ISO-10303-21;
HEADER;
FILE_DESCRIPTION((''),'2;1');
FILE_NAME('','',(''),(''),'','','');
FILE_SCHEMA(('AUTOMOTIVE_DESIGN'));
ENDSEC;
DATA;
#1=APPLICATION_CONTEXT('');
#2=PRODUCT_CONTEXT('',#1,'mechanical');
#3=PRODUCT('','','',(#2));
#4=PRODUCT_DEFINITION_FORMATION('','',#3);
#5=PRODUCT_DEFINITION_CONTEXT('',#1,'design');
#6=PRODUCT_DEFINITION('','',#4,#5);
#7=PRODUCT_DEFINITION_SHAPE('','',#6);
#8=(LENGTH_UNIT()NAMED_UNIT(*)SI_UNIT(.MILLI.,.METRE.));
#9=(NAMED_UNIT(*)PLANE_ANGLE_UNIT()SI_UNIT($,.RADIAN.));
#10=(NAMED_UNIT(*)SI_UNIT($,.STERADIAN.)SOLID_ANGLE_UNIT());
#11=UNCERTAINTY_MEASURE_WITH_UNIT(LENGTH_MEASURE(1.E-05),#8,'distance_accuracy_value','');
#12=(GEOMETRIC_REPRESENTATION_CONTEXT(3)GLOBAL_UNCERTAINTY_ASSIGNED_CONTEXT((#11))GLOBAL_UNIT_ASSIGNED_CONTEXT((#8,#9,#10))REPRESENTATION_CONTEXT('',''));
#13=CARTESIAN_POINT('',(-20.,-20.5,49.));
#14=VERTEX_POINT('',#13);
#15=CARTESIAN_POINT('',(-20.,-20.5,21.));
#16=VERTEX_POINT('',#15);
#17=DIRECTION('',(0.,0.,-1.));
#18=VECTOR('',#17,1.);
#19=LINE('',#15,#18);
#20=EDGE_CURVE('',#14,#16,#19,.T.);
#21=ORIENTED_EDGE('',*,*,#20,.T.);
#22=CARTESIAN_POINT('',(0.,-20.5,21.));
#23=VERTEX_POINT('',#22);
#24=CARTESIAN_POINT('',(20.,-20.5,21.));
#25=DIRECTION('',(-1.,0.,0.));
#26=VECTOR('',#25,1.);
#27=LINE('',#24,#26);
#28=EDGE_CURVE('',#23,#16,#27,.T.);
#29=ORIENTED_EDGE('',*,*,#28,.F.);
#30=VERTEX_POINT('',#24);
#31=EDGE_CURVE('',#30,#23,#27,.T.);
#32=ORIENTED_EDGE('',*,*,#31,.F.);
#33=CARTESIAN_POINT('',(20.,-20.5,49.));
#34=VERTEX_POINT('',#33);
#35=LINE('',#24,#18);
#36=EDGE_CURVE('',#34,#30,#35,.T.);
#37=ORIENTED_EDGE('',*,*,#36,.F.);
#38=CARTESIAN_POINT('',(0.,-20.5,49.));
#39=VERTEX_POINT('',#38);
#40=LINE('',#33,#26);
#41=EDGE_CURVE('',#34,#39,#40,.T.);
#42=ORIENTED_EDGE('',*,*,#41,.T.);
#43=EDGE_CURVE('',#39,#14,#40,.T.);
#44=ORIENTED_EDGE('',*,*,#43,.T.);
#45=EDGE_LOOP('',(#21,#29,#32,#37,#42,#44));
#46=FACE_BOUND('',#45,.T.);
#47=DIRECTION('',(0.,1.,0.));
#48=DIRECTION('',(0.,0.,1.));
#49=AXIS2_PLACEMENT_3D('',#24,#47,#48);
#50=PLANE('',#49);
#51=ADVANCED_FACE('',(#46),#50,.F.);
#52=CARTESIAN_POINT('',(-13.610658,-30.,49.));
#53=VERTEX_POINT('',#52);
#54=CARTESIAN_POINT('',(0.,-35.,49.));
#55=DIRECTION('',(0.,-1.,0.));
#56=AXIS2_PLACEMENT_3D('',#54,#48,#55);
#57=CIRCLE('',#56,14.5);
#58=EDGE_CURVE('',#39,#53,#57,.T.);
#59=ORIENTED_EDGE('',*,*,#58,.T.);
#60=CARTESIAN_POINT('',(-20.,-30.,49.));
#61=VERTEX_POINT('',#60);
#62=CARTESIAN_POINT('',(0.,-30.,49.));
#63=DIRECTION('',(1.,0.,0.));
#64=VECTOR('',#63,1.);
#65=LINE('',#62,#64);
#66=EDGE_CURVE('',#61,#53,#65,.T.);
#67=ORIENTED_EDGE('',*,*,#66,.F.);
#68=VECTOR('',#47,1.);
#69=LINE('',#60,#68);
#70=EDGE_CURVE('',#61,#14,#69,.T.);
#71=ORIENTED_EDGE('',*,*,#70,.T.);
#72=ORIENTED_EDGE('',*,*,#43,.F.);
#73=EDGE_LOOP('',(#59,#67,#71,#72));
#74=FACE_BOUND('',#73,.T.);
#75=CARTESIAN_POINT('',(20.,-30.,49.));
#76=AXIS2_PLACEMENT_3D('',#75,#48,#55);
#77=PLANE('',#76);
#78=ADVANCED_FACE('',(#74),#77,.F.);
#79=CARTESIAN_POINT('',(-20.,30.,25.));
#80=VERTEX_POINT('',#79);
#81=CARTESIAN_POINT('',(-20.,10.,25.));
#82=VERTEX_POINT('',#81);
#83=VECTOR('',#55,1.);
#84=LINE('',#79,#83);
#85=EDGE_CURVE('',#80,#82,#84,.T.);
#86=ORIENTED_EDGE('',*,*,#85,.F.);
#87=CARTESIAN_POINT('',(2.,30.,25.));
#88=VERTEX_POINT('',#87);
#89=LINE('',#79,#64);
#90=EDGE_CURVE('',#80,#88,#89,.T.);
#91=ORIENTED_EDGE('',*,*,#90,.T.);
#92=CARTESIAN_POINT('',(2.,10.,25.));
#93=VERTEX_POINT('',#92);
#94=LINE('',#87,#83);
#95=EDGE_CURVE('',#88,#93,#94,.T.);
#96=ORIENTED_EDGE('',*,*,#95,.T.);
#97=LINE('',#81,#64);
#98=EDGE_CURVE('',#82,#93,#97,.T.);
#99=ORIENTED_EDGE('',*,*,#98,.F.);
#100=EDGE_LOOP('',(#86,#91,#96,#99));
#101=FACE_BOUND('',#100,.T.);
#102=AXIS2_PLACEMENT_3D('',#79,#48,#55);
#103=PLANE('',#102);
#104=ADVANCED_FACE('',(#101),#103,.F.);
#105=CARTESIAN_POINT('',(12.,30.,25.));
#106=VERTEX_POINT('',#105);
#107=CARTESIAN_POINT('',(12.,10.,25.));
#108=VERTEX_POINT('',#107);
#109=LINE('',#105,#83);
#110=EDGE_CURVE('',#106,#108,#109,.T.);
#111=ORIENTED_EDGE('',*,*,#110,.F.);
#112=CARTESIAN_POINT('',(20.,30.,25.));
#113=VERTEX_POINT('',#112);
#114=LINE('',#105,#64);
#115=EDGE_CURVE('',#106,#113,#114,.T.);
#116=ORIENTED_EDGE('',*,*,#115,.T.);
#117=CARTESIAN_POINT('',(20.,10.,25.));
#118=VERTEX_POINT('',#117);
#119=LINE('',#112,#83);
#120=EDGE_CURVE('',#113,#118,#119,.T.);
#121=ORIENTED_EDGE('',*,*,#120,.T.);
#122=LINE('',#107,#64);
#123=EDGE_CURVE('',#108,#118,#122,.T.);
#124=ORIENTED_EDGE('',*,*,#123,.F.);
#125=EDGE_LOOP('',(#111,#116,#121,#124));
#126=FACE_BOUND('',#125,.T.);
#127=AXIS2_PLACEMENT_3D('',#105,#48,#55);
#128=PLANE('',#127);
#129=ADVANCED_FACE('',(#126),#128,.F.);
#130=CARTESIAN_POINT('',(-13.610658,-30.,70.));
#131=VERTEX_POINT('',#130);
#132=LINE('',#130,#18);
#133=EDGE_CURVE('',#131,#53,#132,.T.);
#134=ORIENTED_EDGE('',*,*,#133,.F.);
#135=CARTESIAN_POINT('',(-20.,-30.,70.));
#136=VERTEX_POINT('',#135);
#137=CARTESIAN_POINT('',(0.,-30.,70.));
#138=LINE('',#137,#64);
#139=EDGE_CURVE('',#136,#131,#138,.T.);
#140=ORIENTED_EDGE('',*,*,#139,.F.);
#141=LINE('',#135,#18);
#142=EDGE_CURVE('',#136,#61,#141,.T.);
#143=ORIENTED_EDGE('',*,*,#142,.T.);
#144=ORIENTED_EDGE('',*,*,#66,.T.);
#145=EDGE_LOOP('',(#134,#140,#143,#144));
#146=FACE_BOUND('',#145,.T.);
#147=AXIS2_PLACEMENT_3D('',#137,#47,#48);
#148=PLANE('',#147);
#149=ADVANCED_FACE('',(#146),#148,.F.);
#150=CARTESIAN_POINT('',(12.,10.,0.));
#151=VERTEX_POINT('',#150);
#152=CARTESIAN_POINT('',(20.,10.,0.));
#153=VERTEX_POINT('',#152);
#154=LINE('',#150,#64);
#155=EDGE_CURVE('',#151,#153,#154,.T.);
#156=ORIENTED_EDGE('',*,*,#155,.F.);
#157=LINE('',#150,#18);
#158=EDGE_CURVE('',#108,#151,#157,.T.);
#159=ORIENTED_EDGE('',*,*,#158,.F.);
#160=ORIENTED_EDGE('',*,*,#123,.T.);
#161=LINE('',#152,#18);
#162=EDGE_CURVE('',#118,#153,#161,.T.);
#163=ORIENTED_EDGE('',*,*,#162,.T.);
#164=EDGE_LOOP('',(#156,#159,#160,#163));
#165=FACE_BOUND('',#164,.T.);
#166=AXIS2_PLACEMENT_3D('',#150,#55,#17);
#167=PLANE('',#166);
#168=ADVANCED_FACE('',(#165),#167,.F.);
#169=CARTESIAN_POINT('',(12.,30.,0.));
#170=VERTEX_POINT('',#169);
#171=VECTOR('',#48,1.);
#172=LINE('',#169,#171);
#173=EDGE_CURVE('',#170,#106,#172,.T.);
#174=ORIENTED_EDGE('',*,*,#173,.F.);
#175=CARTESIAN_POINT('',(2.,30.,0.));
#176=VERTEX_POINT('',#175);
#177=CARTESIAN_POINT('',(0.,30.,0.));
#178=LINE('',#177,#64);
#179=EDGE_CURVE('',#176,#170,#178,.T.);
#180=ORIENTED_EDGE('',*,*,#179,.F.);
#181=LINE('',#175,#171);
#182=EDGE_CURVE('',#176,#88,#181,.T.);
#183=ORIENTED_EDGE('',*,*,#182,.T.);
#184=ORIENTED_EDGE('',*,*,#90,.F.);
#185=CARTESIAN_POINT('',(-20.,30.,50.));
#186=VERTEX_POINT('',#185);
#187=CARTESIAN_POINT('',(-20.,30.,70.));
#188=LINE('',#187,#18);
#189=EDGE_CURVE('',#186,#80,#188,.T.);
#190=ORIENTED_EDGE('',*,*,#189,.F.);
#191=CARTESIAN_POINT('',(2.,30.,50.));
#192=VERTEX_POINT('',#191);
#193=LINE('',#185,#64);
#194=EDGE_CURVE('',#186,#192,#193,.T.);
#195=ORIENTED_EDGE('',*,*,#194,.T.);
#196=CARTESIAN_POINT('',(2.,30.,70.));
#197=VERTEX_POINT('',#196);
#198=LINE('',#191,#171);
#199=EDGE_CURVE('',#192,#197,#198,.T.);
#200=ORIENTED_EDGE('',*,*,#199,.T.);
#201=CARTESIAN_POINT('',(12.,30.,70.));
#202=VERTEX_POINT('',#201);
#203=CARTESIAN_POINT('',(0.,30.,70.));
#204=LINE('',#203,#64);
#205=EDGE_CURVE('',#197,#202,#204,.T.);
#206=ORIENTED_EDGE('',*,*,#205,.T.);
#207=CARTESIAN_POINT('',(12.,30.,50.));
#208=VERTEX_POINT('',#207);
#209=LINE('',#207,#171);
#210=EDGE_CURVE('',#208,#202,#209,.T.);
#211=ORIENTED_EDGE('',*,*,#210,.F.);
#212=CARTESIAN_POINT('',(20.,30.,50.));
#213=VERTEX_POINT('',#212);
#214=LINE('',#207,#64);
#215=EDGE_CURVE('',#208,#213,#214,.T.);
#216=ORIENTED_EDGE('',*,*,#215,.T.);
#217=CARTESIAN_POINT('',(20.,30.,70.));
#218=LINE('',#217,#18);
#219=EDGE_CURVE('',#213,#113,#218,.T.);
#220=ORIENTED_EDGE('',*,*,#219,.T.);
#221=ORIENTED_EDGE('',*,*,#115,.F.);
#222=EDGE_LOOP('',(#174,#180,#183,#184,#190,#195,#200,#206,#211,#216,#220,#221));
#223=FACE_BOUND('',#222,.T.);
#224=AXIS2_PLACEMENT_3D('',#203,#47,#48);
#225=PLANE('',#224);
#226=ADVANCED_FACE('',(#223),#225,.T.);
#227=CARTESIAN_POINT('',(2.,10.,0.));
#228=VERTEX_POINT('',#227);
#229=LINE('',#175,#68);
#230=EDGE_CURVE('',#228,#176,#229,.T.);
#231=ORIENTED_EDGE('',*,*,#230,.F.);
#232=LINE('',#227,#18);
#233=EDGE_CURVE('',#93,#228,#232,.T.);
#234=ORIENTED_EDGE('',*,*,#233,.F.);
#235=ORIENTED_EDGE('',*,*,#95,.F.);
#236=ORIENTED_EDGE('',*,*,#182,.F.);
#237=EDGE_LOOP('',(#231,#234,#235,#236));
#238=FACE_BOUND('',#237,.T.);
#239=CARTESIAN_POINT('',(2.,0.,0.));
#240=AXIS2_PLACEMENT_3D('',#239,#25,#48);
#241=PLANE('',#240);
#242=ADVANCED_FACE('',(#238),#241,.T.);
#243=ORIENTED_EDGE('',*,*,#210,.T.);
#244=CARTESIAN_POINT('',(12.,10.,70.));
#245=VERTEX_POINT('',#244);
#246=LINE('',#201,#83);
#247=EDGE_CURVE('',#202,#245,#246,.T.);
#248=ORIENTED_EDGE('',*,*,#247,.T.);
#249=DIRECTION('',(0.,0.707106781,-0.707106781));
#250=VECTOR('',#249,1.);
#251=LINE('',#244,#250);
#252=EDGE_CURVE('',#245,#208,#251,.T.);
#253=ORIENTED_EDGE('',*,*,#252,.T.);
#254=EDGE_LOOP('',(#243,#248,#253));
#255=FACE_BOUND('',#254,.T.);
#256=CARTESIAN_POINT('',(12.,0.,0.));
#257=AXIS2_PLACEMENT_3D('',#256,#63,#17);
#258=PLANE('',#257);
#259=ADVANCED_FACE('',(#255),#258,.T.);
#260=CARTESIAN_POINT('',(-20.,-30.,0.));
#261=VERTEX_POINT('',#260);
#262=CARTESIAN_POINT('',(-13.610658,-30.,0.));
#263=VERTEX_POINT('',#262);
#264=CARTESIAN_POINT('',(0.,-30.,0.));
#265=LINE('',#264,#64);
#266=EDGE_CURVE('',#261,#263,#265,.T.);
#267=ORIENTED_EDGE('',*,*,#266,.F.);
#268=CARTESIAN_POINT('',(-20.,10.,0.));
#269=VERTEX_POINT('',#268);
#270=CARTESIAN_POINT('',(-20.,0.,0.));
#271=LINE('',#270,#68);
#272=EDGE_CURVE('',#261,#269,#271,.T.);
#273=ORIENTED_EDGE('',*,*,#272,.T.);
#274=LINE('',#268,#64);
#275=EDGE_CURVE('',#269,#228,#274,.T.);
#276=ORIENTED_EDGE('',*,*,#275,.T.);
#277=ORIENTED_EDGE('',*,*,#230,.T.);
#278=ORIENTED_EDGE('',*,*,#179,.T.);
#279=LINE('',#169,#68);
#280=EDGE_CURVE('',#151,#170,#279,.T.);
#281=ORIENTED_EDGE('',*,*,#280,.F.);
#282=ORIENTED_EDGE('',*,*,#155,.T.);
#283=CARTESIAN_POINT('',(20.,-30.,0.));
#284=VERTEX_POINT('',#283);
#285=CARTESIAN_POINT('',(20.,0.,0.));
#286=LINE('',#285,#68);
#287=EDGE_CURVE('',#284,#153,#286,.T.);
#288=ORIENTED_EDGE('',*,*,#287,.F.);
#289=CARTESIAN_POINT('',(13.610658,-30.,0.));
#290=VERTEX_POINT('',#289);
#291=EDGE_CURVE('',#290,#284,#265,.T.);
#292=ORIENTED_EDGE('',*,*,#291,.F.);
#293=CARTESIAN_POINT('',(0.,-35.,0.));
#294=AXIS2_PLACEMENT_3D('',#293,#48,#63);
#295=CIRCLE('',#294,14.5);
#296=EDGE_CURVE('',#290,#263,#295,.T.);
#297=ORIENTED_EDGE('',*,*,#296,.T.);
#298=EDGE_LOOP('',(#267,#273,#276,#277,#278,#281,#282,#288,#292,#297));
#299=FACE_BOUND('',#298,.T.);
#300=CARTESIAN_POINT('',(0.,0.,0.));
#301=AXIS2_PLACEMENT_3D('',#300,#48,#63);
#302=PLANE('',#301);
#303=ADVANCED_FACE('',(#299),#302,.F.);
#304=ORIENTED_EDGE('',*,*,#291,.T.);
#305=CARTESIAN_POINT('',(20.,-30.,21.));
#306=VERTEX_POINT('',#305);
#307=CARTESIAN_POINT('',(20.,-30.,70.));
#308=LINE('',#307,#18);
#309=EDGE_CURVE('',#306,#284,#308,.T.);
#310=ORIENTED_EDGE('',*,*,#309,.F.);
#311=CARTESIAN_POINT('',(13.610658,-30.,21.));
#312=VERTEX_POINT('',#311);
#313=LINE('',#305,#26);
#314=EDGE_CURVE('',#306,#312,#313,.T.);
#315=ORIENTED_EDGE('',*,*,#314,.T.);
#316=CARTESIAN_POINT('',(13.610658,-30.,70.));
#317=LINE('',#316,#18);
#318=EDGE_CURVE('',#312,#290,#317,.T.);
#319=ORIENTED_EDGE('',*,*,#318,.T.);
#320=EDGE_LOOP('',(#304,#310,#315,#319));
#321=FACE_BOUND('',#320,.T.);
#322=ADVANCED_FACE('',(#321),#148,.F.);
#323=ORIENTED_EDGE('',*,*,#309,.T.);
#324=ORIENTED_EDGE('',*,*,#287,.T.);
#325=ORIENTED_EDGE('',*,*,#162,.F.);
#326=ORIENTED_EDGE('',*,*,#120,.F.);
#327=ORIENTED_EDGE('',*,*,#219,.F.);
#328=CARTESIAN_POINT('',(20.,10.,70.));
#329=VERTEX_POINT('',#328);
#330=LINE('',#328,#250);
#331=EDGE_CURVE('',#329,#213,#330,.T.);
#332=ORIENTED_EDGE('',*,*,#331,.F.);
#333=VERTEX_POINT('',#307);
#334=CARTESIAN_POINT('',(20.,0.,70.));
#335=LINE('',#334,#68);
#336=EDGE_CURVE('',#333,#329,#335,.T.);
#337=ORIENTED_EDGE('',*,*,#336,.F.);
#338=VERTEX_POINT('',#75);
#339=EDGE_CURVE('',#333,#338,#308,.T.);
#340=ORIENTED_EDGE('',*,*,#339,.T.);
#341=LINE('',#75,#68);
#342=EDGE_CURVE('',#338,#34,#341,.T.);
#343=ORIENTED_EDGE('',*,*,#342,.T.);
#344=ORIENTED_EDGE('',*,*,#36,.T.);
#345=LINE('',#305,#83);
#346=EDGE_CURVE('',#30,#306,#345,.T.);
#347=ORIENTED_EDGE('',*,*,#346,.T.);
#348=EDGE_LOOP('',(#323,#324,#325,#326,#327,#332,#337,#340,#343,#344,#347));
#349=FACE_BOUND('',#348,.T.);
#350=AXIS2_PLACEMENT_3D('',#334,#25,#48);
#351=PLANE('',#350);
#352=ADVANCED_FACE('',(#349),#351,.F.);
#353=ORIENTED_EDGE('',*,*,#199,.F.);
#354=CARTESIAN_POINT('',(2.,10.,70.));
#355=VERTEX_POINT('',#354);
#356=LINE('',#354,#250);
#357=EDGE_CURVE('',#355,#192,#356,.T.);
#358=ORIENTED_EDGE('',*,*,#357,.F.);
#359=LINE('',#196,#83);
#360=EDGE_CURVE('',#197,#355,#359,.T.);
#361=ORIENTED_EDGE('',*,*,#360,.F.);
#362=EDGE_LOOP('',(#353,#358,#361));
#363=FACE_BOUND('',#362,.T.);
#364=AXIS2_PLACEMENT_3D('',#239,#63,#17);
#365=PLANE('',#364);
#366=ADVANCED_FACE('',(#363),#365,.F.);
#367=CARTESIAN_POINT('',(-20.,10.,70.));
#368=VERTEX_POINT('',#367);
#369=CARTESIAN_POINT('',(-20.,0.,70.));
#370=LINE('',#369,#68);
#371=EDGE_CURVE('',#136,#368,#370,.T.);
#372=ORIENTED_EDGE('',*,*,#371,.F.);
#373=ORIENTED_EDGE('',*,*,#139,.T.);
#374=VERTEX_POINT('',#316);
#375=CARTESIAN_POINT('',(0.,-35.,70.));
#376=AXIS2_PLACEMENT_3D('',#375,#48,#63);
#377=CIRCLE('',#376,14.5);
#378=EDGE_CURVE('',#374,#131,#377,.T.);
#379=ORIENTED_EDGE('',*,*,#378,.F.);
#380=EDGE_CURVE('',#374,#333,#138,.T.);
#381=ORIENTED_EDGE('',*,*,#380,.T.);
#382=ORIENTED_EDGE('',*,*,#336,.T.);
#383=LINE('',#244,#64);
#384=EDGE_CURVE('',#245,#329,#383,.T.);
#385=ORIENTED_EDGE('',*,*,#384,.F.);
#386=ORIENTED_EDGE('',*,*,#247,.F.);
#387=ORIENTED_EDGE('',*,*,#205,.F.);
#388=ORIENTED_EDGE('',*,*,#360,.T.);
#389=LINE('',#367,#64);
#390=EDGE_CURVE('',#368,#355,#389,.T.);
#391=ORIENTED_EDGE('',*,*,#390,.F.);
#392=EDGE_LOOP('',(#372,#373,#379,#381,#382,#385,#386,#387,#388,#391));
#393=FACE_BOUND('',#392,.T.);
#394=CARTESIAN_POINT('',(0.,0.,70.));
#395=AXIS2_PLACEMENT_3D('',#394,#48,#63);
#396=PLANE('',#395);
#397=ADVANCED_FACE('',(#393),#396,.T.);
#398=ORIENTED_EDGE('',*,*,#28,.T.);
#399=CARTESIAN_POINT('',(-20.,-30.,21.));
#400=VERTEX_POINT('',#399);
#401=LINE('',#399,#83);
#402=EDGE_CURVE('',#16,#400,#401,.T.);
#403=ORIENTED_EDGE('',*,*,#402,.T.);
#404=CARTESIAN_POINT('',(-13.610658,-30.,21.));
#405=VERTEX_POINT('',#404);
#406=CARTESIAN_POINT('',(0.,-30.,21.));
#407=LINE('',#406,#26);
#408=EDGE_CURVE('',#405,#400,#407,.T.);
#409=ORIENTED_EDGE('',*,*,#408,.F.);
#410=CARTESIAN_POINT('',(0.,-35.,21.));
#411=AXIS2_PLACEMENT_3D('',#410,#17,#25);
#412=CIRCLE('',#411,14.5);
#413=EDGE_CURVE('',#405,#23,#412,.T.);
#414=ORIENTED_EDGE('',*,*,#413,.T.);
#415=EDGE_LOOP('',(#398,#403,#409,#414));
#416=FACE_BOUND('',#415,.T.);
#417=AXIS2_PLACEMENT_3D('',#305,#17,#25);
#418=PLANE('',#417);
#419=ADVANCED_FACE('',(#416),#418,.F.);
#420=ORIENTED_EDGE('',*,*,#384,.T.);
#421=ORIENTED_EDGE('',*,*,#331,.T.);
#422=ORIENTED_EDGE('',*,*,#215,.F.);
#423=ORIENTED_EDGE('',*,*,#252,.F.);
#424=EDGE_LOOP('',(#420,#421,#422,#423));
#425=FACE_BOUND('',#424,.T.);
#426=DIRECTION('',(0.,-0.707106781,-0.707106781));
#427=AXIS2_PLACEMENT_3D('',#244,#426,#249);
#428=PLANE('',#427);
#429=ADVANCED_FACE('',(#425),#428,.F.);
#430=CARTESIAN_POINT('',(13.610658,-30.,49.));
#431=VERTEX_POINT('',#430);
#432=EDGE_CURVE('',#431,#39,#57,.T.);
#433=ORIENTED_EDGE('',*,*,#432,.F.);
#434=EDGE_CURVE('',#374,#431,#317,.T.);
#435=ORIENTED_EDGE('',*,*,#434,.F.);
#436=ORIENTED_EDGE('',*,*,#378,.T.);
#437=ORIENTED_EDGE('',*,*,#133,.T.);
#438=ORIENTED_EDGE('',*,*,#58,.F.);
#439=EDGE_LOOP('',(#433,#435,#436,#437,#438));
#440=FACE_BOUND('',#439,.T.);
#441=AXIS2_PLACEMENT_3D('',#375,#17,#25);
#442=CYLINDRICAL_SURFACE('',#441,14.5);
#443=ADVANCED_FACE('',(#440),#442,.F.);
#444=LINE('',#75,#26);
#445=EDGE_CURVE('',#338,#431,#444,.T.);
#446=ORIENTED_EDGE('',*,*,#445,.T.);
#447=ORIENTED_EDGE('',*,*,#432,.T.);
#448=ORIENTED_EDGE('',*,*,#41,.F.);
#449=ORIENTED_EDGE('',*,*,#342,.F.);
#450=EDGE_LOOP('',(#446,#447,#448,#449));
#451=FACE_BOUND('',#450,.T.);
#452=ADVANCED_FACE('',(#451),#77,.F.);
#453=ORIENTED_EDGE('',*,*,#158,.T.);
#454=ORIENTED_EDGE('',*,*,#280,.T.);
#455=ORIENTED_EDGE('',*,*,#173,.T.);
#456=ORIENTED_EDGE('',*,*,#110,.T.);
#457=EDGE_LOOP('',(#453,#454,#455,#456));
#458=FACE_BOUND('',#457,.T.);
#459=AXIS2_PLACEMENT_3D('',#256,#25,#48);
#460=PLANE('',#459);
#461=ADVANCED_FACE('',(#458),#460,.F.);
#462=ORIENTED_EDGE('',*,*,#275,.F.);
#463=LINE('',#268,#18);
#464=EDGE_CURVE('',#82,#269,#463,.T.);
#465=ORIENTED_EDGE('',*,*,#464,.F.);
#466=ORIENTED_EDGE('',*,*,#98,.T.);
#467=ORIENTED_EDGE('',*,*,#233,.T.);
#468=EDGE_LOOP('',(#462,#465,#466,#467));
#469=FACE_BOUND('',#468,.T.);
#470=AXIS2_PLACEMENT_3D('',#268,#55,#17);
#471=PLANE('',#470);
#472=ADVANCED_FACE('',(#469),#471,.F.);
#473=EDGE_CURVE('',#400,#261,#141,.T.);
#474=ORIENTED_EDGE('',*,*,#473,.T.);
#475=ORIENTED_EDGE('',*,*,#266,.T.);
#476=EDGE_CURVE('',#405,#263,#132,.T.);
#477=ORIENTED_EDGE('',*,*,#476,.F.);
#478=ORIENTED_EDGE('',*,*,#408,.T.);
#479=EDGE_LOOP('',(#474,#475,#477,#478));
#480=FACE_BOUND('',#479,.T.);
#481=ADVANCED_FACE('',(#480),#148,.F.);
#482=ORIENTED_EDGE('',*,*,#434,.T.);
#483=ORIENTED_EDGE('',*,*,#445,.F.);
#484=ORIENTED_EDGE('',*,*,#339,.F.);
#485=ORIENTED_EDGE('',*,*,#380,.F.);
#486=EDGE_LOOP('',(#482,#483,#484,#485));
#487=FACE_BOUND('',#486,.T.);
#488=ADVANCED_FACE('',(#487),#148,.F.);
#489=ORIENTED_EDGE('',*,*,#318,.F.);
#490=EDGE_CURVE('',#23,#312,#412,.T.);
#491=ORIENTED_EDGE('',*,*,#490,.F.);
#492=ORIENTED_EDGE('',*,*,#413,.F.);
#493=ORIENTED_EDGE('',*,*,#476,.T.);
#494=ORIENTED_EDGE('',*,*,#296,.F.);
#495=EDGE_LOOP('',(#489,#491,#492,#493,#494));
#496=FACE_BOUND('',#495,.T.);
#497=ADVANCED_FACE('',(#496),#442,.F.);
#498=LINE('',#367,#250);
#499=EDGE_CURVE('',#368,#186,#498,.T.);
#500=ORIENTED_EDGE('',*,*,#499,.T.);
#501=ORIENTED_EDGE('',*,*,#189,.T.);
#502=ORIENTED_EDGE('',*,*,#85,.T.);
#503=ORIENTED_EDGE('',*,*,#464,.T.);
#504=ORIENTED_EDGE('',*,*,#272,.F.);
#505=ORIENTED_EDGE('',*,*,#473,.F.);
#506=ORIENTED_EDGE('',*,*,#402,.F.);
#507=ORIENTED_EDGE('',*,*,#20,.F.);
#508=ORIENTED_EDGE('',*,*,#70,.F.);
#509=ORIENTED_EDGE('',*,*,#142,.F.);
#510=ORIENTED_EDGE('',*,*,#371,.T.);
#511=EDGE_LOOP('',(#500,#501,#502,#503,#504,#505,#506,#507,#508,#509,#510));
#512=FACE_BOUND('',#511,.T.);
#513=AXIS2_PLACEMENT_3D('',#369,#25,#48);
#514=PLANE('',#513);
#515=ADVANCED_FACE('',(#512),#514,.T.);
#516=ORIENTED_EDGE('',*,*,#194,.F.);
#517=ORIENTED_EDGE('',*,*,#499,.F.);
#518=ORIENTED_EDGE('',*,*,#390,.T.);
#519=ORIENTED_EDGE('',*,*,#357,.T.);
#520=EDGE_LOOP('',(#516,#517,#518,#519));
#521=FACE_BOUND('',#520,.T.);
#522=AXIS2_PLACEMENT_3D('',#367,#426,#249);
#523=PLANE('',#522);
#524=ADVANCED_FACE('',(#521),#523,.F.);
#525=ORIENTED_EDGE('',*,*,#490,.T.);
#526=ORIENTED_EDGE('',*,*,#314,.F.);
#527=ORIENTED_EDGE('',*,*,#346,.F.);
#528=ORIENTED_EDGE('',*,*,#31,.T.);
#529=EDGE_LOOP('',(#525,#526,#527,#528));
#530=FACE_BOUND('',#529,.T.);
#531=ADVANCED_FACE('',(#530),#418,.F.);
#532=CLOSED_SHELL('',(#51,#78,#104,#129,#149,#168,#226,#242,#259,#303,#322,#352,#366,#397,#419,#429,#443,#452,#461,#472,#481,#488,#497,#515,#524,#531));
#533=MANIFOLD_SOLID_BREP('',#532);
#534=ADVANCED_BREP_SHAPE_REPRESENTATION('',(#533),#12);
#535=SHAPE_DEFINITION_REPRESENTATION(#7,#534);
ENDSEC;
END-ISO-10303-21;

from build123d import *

# Parameters (mm, degrees)
EXTRUDE_1_DEPTH     = 70
SKETCH_2_W          = 28
SKETCH_2_H          = 9.5
CUT_EXTRUDE_1_DEPTH = 87.02325267
SKETCH_3_W          = 25
SKETCH_3_H          = 20
CUT_EXTRUDE_2_DEPTH = 8
CUT_EXTRUDE_START   = -18
SKETCH_3_2_W        = 25
SKETCH_3_2_H        = 20
CUT_EXTRUDE_3_DEPTH = 69.02325267


with BuildPart() as part:
    # Эскиз1 → Бобышка-Вытянуть1 (new body)
    with BuildSketch(Plane.XY):
        with BuildLine():
            Line((-20, 30), (-20, -30))
            Line((-20, -30), (-13.610657589, -30))
            ThreePointArc((-13.610657589, -30), (0, -20.5), (13.610657589, -30))
            Line((13.610657589, -30), (20, -30))
            Line((20, -30), (20, 30))
            Line((20, 30), (-20, 30))
        make_face()
    extrude(amount=EXTRUDE_1_DEPTH)

    # Эскиз2 → Вырез-Вытянуть1 (cut, through all)
    with BuildSketch(Plane.ZY.offset(20)):
        with Locations((35, -25.25)):
            Rectangle(SKETCH_2_W, SKETCH_2_H)
    extrude(amount=-CUT_EXTRUDE_1_DEPTH, mode=Mode.SUBTRACT)

    # Эскиз3 → Вырез-Вытянуть2 (cut)
    with BuildSketch(Plane(origin=(20, 0, 0), x_dir=(0, 0, -1), z_dir=(1, 0, 0))):
        Polygon((-70, 30), (-70, 10), (-50, 30), align=None)
        with Locations((-12.5, 20)):
            Rectangle(SKETCH_3_W, SKETCH_3_H)
    extrude(amount=-CUT_EXTRUDE_2_DEPTH, mode=Mode.SUBTRACT)

    # Эскиз3<2> → Вырез-Вытянуть3 (cut, through all)
    with BuildSketch(Plane(origin=(20, 0, 0), x_dir=(0, 0, -1), z_dir=(1, 0, 0)).offset(CUT_EXTRUDE_START)):
        Polygon((-70, 30), (-70, 10), (-50, 30), align=None)
        with Locations((-12.5, 20)):
            Rectangle(SKETCH_3_2_W, SKETCH_3_2_H)
    extrude(amount=-CUT_EXTRUDE_3_DEPTH, mode=Mode.SUBTRACT)


solid = part.part
